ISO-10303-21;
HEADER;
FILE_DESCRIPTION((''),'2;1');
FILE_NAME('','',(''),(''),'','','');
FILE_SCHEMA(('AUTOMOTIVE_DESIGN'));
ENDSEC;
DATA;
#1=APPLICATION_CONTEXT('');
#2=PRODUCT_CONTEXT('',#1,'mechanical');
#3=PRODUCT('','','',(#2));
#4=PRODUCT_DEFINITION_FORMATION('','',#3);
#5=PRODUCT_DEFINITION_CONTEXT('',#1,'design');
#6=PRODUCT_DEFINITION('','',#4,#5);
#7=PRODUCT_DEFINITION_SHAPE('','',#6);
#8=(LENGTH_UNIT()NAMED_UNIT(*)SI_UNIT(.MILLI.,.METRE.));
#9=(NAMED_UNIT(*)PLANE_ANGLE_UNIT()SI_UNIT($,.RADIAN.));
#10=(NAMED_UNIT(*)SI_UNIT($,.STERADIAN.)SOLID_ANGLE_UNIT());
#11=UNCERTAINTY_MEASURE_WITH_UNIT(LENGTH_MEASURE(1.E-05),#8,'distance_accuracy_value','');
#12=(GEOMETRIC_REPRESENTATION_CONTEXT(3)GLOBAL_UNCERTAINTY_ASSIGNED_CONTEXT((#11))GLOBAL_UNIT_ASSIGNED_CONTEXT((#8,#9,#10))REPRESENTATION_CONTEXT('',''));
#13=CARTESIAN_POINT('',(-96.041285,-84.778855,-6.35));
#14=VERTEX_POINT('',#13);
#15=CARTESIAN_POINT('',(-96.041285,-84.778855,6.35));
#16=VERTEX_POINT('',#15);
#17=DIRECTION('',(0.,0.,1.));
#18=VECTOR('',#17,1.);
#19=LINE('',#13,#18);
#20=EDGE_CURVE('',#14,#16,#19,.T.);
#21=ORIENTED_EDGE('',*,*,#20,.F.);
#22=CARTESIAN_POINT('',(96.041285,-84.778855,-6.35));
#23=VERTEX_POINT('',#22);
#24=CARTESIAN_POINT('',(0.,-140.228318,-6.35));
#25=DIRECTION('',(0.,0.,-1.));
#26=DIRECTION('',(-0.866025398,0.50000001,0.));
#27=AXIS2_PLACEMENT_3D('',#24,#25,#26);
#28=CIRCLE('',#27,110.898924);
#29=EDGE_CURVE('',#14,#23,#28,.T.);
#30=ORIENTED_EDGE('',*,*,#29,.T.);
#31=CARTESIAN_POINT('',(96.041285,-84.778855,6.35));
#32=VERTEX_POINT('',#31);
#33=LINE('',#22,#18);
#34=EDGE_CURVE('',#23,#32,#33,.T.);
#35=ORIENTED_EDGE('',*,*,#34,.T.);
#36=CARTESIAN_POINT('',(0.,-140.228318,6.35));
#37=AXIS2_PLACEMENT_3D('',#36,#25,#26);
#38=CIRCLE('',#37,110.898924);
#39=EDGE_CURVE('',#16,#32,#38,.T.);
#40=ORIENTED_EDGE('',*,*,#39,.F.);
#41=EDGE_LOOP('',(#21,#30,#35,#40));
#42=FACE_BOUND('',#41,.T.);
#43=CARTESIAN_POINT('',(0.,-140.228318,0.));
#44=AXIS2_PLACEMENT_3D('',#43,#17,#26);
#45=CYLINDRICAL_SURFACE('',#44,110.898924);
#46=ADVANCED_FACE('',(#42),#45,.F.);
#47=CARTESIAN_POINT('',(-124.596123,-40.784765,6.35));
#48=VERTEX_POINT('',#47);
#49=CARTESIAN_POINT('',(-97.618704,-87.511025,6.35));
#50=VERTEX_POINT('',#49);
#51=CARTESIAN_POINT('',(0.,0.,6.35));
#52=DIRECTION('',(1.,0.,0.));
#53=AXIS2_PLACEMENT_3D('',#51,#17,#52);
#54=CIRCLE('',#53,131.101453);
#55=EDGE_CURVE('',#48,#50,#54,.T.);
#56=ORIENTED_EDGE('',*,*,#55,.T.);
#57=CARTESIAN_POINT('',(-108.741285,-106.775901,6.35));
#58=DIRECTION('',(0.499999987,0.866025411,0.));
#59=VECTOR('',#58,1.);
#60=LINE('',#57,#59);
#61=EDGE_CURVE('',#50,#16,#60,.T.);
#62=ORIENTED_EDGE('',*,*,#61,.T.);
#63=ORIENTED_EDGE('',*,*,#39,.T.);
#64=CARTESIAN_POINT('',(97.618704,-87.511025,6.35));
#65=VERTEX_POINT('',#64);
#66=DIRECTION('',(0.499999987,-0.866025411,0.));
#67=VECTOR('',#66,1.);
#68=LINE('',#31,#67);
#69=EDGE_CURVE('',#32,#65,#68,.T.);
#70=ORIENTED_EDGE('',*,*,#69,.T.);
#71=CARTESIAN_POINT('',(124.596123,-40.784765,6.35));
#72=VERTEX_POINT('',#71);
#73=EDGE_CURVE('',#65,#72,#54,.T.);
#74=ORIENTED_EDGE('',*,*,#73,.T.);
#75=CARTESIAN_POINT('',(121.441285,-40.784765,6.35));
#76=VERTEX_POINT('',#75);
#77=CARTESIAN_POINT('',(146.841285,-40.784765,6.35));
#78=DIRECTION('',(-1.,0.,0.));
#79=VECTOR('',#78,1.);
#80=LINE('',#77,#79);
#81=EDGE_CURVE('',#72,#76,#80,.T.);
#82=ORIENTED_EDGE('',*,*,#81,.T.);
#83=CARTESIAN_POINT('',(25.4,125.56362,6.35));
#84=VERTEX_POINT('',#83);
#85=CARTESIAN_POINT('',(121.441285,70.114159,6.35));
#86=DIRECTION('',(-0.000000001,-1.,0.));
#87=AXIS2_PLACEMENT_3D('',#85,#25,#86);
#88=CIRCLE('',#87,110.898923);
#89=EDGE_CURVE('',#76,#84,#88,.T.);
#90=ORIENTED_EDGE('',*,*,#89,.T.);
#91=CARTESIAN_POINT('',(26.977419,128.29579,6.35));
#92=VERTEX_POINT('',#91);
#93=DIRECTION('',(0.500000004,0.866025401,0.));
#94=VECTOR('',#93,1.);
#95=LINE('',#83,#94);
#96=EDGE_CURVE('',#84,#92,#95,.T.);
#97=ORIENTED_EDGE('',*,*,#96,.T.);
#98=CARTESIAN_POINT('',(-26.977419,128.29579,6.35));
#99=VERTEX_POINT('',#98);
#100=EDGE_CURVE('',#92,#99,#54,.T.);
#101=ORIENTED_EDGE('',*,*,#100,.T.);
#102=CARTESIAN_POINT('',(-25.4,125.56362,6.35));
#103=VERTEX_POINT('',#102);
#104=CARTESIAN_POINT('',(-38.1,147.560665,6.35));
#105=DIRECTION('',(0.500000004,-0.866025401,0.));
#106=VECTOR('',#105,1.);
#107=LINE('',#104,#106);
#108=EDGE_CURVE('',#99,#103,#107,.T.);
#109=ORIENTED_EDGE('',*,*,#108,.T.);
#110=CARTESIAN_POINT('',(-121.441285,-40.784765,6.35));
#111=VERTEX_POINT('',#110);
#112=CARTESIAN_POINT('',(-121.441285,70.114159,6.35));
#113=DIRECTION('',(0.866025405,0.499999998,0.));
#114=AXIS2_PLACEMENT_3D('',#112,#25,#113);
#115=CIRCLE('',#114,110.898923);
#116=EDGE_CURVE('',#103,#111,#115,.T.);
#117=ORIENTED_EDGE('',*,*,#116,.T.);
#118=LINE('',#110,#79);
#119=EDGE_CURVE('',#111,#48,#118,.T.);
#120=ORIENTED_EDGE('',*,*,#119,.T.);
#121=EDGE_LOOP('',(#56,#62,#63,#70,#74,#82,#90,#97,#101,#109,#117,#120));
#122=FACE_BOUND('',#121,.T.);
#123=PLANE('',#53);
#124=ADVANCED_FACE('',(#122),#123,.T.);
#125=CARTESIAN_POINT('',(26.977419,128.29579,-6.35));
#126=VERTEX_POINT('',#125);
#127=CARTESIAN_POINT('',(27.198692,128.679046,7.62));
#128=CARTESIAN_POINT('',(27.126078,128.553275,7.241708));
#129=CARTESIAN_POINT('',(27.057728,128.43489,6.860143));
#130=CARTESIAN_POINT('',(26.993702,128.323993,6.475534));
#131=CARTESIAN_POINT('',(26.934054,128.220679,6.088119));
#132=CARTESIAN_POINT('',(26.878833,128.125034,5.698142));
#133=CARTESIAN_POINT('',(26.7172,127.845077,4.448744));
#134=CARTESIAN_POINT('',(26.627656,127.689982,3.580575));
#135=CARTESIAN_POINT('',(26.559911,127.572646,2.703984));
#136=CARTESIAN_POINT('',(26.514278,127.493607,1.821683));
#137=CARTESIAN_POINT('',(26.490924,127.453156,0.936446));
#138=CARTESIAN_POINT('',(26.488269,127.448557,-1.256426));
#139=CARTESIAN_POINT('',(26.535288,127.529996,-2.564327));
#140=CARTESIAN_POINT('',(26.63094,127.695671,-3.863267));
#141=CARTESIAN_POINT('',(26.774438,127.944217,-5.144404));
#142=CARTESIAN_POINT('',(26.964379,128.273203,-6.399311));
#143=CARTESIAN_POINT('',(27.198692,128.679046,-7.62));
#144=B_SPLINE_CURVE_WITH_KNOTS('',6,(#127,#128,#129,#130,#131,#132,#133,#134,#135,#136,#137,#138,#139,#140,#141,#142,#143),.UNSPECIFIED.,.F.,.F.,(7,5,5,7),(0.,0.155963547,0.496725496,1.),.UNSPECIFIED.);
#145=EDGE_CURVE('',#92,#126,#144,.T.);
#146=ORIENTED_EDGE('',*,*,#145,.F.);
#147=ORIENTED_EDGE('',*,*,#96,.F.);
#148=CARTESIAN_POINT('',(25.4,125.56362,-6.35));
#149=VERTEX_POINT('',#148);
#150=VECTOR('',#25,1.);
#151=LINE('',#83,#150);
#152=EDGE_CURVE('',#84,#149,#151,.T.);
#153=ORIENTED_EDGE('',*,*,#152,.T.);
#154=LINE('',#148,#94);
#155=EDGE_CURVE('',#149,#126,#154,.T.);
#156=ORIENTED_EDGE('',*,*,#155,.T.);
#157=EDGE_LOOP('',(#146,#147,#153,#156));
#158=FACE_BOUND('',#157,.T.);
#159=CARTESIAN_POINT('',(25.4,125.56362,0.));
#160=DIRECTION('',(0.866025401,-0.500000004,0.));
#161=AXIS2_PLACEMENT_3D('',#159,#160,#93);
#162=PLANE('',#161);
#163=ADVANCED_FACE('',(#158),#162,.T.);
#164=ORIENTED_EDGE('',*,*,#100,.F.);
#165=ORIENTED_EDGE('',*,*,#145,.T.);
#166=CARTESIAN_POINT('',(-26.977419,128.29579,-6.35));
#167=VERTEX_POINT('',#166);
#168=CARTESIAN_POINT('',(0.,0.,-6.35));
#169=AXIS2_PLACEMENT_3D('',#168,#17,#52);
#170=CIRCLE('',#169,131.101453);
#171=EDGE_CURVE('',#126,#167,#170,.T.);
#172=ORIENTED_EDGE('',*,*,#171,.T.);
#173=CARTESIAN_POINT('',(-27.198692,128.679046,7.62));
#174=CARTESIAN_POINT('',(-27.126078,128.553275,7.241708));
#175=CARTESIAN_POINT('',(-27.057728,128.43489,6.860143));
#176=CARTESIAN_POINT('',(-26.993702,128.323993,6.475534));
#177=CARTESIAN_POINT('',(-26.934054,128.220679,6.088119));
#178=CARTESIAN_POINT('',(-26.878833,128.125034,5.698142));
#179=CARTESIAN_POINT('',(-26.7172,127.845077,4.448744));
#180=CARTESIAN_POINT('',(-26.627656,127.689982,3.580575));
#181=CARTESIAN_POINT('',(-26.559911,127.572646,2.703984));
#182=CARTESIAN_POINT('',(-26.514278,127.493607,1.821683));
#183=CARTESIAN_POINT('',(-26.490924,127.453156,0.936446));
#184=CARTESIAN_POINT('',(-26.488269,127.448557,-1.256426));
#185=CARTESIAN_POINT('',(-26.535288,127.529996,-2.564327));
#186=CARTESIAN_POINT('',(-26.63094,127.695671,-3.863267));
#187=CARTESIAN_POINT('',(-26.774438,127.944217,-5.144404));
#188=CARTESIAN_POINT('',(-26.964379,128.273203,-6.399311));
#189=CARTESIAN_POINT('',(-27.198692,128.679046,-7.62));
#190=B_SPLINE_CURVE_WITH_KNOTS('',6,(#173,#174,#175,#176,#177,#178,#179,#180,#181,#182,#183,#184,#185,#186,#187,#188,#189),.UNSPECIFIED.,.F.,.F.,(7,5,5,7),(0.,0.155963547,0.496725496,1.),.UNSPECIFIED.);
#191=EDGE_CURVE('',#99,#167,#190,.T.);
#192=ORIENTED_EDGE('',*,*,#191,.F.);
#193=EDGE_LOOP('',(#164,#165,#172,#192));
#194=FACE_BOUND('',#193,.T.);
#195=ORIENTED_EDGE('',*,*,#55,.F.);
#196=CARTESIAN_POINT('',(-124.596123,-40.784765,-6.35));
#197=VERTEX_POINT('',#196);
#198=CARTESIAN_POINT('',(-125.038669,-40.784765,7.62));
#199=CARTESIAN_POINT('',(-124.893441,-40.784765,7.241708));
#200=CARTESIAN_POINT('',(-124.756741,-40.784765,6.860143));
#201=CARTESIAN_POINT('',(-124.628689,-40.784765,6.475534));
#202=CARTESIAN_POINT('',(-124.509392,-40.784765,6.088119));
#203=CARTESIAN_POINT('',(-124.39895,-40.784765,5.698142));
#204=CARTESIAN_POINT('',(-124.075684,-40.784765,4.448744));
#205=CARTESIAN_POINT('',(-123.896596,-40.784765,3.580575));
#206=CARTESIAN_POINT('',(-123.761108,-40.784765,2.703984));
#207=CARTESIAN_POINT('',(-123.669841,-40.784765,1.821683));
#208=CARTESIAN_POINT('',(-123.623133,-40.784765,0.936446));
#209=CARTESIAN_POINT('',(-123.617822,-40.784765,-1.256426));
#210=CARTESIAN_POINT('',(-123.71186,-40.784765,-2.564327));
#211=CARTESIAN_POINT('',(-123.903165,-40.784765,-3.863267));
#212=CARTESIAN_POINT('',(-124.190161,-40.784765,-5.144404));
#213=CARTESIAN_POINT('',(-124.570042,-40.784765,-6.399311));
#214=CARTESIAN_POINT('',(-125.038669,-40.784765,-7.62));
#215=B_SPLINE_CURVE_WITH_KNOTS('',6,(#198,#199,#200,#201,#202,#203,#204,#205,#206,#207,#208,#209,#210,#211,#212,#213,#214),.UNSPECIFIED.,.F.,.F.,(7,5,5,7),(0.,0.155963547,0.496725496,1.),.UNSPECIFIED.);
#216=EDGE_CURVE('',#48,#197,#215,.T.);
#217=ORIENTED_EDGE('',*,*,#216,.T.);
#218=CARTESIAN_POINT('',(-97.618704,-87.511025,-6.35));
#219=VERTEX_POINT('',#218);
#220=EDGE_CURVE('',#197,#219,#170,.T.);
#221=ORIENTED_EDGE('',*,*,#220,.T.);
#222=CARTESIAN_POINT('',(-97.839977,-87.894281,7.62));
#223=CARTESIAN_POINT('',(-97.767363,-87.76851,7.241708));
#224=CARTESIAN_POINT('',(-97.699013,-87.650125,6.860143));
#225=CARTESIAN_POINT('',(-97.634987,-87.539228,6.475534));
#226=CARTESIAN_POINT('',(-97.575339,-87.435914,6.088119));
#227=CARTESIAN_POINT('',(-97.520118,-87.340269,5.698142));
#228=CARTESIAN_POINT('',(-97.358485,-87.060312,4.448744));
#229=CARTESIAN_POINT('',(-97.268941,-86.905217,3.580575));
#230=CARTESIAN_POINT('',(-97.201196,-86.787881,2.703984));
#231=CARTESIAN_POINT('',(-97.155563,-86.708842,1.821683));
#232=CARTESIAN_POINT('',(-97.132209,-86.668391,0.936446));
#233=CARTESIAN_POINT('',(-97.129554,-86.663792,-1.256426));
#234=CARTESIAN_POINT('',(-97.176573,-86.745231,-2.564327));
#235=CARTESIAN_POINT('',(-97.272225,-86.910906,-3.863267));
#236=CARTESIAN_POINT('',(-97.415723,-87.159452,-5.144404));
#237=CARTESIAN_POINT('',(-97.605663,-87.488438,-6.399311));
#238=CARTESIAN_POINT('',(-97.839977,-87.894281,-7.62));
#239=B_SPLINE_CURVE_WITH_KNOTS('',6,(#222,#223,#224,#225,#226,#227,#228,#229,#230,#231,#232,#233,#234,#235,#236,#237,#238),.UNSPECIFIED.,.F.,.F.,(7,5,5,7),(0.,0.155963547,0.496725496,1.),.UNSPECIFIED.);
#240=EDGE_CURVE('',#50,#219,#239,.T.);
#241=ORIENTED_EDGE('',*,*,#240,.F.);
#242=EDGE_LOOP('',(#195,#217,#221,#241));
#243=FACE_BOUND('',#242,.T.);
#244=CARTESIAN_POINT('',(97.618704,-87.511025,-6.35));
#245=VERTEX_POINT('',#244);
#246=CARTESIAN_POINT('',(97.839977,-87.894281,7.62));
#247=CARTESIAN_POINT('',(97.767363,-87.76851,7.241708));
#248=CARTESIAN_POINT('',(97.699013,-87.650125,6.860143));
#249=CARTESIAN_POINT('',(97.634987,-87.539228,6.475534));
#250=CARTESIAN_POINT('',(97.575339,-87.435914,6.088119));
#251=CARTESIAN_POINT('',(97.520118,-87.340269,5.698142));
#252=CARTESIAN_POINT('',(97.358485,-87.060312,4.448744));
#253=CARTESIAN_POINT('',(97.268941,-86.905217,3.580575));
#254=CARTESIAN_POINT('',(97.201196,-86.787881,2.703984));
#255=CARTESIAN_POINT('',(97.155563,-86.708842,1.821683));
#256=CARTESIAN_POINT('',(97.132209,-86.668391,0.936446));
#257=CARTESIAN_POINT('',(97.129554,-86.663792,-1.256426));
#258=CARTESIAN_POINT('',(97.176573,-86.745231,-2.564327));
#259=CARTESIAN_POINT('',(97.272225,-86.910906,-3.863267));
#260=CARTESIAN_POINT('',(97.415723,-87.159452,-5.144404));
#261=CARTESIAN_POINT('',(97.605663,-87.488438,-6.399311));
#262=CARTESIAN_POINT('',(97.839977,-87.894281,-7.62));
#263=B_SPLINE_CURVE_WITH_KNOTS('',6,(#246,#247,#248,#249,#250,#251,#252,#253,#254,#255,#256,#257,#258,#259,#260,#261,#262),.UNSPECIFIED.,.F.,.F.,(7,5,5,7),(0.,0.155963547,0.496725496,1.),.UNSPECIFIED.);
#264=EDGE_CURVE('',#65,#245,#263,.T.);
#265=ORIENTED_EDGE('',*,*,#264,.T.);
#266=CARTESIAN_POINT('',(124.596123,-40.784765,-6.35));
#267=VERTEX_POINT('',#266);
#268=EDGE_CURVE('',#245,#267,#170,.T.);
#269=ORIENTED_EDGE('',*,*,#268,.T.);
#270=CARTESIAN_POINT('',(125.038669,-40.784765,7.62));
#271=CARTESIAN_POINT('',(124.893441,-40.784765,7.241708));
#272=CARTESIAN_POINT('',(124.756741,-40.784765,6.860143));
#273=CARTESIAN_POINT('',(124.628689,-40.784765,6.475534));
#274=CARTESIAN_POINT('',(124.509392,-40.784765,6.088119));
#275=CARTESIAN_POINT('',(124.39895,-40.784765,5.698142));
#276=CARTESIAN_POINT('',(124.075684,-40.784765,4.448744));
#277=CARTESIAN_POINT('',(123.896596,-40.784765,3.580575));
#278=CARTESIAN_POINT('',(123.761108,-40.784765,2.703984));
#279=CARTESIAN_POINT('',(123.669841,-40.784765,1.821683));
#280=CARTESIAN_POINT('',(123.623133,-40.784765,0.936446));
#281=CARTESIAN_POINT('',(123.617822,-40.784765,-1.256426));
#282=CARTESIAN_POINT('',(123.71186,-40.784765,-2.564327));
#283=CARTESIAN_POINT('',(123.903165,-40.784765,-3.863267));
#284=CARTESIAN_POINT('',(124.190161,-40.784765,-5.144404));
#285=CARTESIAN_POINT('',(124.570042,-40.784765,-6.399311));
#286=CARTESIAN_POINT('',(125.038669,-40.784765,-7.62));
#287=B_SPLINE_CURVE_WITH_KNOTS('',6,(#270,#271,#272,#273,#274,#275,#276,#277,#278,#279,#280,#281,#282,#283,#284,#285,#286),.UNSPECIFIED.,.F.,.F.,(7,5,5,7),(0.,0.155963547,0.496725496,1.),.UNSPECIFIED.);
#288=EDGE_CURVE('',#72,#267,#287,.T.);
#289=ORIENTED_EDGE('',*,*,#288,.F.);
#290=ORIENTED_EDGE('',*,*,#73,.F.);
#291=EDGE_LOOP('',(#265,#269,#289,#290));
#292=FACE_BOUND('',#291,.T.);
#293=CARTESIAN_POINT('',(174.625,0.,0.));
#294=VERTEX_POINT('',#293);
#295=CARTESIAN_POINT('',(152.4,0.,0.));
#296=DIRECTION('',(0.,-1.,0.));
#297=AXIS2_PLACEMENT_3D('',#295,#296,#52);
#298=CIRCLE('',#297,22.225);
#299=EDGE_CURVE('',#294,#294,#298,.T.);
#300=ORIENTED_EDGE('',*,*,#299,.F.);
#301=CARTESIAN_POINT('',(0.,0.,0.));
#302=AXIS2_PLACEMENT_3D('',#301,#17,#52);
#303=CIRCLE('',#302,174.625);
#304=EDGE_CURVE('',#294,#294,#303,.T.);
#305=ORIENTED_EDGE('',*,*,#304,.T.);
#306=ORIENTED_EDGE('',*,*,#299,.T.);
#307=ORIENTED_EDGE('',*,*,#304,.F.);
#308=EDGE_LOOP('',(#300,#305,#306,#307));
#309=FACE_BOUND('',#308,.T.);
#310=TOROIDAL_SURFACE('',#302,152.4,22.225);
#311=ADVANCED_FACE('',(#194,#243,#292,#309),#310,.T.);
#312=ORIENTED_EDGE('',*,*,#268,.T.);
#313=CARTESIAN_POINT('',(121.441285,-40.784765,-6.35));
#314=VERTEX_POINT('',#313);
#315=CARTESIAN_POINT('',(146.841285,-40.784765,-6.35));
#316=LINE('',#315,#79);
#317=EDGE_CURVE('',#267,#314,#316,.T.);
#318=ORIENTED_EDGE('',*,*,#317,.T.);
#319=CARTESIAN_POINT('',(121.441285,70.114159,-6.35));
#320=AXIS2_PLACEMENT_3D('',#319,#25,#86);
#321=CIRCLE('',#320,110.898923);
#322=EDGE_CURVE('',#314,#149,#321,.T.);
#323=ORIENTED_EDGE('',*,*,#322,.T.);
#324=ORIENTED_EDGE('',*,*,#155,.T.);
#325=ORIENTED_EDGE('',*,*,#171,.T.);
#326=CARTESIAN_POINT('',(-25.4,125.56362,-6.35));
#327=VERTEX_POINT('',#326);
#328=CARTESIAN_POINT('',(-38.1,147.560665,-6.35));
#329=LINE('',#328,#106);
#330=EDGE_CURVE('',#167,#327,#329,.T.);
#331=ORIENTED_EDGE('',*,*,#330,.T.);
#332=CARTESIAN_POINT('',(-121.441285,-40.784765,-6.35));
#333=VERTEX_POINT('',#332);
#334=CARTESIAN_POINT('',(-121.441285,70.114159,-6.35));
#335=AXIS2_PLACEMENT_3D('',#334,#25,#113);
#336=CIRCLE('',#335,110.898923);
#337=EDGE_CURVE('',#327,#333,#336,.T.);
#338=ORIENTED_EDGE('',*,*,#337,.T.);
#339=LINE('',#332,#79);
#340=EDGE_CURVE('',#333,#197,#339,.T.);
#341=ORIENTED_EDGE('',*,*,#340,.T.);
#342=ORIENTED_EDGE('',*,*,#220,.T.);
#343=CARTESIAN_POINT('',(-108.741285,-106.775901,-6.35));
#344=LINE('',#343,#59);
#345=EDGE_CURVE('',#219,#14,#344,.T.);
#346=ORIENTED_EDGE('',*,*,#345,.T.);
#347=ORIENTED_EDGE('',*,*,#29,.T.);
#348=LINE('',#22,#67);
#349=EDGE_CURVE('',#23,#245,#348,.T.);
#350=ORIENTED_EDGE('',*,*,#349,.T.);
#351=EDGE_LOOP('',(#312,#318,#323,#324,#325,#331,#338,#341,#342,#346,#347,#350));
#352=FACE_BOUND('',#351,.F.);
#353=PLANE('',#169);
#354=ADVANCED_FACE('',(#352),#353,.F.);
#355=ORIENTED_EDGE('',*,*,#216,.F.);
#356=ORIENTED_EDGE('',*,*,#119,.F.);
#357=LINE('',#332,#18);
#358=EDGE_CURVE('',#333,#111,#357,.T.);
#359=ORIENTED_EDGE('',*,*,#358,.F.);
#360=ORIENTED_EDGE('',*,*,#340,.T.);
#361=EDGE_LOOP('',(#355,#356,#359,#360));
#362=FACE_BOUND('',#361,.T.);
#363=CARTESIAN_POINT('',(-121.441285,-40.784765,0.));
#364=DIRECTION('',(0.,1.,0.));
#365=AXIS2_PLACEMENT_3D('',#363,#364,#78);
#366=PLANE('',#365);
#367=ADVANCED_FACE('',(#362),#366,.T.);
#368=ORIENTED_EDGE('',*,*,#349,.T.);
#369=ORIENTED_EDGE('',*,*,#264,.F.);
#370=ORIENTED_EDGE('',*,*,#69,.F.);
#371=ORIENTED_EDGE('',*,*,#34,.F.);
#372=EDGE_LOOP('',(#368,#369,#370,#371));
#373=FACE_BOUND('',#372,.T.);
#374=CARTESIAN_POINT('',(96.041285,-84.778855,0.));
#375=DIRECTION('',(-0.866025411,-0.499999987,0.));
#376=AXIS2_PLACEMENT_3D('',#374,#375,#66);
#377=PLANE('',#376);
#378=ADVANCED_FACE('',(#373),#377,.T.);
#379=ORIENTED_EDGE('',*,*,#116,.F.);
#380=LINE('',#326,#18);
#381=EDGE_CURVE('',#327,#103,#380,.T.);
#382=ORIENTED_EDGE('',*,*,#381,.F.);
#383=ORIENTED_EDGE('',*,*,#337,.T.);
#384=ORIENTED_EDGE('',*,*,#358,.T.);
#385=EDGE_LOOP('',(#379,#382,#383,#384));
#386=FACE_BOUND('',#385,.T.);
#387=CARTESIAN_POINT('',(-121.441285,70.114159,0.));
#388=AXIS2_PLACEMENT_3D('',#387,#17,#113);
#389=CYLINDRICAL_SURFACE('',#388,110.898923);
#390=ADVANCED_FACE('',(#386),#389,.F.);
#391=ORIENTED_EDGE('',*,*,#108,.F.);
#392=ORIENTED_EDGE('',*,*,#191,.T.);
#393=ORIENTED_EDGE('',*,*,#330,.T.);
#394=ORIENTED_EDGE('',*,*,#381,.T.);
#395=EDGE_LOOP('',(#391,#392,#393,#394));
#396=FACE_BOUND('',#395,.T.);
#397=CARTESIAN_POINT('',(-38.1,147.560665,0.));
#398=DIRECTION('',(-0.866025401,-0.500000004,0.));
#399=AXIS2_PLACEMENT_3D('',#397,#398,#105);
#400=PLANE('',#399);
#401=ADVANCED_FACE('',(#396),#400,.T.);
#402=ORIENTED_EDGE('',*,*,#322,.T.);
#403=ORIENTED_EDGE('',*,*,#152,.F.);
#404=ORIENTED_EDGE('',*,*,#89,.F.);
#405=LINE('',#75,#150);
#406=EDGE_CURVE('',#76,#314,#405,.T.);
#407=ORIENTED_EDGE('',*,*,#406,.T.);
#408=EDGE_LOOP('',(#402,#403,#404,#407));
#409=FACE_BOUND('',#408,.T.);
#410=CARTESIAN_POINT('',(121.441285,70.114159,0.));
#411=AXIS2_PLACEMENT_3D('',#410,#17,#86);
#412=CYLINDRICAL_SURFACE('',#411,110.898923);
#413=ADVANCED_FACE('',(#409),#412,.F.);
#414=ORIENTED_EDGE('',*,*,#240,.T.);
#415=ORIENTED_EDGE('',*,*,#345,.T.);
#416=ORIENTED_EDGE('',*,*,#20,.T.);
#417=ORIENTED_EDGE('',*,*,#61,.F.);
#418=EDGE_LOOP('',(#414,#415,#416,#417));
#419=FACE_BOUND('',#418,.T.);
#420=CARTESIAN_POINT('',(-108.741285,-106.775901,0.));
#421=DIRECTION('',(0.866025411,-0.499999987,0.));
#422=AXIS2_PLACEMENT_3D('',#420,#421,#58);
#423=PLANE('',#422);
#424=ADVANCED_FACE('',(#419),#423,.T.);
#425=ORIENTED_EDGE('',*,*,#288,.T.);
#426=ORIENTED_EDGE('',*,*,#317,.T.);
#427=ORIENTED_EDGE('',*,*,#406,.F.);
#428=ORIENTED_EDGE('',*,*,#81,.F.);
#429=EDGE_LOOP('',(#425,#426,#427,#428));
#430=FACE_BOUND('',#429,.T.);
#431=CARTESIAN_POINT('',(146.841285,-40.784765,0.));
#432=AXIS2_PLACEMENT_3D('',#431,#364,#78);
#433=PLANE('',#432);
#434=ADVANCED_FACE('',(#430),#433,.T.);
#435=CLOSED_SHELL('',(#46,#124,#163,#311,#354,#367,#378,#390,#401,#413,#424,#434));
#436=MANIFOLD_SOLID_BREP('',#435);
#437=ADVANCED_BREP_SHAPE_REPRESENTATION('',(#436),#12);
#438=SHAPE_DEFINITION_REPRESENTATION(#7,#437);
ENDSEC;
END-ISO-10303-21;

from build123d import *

# Parameters (mm, degrees)
F2_DEPTH      = 6.35
F2_DEPTH_BACK = 6.35
F1_R          = 22.225


with BuildPart() as f2:
    # F0 (on Top) → F2 (new body, two sides)
    with BuildSketch(Plane.XY) as f2_sk:
        with BuildLine():
            Line((25.4, 125.56362), (38.1, 147.560665))
            ThreePointArc((38.1, 147.560665), (0, 152.4), (-38.1, 147.560665))
            Line((-38.1, 147.560665), (-25.4, 125.56362))
            ThreePointArc((-25.4, 125.56362), (-25.4, 14.664697), (-121.441285, -40.784765))
            Line((-121.441285, -40.784765), (-146.841285, -40.784765))
            ThreePointArc((-146.841285, -40.784765), (-131.982272, -76.2), (-108.741285, -106.775901))
            Line((-108.741285, -106.775901), (-96.041285, -84.778855))
            ThreePointArc((-96.041285, -84.778855), (0, -29.329394), (96.041285, -84.778855))
            Line((96.041285, -84.778855), (108.741285, -106.775901))
            ThreePointArc((108.741285, -106.775901), (131.982272, -76.2), (146.841285, -40.784765))
            Line((146.841285, -40.784765), (121.441285, -40.784765))
            ThreePointArc((121.441285, -40.784765), (25.4, 14.664697), (25.4, 125.56362))
        make_face()
    extrude(amount=F2_DEPTH)
    extrude(f2_sk.sketch, amount=-F2_DEPTH_BACK)

    # F3: sweep along a path in F0
    with BuildLine(Plane.XY) as f3_path:
        CenterArc((0, 0), 152.4, 0, 360)
    # F1 (on Right) → F3 (sweep)
    with BuildSketch(Plane.YZ):
        with Locations((152.4, 0)):
            Circle(F1_R)
    sweep(path=f3_path.line)


solid = f2.part
